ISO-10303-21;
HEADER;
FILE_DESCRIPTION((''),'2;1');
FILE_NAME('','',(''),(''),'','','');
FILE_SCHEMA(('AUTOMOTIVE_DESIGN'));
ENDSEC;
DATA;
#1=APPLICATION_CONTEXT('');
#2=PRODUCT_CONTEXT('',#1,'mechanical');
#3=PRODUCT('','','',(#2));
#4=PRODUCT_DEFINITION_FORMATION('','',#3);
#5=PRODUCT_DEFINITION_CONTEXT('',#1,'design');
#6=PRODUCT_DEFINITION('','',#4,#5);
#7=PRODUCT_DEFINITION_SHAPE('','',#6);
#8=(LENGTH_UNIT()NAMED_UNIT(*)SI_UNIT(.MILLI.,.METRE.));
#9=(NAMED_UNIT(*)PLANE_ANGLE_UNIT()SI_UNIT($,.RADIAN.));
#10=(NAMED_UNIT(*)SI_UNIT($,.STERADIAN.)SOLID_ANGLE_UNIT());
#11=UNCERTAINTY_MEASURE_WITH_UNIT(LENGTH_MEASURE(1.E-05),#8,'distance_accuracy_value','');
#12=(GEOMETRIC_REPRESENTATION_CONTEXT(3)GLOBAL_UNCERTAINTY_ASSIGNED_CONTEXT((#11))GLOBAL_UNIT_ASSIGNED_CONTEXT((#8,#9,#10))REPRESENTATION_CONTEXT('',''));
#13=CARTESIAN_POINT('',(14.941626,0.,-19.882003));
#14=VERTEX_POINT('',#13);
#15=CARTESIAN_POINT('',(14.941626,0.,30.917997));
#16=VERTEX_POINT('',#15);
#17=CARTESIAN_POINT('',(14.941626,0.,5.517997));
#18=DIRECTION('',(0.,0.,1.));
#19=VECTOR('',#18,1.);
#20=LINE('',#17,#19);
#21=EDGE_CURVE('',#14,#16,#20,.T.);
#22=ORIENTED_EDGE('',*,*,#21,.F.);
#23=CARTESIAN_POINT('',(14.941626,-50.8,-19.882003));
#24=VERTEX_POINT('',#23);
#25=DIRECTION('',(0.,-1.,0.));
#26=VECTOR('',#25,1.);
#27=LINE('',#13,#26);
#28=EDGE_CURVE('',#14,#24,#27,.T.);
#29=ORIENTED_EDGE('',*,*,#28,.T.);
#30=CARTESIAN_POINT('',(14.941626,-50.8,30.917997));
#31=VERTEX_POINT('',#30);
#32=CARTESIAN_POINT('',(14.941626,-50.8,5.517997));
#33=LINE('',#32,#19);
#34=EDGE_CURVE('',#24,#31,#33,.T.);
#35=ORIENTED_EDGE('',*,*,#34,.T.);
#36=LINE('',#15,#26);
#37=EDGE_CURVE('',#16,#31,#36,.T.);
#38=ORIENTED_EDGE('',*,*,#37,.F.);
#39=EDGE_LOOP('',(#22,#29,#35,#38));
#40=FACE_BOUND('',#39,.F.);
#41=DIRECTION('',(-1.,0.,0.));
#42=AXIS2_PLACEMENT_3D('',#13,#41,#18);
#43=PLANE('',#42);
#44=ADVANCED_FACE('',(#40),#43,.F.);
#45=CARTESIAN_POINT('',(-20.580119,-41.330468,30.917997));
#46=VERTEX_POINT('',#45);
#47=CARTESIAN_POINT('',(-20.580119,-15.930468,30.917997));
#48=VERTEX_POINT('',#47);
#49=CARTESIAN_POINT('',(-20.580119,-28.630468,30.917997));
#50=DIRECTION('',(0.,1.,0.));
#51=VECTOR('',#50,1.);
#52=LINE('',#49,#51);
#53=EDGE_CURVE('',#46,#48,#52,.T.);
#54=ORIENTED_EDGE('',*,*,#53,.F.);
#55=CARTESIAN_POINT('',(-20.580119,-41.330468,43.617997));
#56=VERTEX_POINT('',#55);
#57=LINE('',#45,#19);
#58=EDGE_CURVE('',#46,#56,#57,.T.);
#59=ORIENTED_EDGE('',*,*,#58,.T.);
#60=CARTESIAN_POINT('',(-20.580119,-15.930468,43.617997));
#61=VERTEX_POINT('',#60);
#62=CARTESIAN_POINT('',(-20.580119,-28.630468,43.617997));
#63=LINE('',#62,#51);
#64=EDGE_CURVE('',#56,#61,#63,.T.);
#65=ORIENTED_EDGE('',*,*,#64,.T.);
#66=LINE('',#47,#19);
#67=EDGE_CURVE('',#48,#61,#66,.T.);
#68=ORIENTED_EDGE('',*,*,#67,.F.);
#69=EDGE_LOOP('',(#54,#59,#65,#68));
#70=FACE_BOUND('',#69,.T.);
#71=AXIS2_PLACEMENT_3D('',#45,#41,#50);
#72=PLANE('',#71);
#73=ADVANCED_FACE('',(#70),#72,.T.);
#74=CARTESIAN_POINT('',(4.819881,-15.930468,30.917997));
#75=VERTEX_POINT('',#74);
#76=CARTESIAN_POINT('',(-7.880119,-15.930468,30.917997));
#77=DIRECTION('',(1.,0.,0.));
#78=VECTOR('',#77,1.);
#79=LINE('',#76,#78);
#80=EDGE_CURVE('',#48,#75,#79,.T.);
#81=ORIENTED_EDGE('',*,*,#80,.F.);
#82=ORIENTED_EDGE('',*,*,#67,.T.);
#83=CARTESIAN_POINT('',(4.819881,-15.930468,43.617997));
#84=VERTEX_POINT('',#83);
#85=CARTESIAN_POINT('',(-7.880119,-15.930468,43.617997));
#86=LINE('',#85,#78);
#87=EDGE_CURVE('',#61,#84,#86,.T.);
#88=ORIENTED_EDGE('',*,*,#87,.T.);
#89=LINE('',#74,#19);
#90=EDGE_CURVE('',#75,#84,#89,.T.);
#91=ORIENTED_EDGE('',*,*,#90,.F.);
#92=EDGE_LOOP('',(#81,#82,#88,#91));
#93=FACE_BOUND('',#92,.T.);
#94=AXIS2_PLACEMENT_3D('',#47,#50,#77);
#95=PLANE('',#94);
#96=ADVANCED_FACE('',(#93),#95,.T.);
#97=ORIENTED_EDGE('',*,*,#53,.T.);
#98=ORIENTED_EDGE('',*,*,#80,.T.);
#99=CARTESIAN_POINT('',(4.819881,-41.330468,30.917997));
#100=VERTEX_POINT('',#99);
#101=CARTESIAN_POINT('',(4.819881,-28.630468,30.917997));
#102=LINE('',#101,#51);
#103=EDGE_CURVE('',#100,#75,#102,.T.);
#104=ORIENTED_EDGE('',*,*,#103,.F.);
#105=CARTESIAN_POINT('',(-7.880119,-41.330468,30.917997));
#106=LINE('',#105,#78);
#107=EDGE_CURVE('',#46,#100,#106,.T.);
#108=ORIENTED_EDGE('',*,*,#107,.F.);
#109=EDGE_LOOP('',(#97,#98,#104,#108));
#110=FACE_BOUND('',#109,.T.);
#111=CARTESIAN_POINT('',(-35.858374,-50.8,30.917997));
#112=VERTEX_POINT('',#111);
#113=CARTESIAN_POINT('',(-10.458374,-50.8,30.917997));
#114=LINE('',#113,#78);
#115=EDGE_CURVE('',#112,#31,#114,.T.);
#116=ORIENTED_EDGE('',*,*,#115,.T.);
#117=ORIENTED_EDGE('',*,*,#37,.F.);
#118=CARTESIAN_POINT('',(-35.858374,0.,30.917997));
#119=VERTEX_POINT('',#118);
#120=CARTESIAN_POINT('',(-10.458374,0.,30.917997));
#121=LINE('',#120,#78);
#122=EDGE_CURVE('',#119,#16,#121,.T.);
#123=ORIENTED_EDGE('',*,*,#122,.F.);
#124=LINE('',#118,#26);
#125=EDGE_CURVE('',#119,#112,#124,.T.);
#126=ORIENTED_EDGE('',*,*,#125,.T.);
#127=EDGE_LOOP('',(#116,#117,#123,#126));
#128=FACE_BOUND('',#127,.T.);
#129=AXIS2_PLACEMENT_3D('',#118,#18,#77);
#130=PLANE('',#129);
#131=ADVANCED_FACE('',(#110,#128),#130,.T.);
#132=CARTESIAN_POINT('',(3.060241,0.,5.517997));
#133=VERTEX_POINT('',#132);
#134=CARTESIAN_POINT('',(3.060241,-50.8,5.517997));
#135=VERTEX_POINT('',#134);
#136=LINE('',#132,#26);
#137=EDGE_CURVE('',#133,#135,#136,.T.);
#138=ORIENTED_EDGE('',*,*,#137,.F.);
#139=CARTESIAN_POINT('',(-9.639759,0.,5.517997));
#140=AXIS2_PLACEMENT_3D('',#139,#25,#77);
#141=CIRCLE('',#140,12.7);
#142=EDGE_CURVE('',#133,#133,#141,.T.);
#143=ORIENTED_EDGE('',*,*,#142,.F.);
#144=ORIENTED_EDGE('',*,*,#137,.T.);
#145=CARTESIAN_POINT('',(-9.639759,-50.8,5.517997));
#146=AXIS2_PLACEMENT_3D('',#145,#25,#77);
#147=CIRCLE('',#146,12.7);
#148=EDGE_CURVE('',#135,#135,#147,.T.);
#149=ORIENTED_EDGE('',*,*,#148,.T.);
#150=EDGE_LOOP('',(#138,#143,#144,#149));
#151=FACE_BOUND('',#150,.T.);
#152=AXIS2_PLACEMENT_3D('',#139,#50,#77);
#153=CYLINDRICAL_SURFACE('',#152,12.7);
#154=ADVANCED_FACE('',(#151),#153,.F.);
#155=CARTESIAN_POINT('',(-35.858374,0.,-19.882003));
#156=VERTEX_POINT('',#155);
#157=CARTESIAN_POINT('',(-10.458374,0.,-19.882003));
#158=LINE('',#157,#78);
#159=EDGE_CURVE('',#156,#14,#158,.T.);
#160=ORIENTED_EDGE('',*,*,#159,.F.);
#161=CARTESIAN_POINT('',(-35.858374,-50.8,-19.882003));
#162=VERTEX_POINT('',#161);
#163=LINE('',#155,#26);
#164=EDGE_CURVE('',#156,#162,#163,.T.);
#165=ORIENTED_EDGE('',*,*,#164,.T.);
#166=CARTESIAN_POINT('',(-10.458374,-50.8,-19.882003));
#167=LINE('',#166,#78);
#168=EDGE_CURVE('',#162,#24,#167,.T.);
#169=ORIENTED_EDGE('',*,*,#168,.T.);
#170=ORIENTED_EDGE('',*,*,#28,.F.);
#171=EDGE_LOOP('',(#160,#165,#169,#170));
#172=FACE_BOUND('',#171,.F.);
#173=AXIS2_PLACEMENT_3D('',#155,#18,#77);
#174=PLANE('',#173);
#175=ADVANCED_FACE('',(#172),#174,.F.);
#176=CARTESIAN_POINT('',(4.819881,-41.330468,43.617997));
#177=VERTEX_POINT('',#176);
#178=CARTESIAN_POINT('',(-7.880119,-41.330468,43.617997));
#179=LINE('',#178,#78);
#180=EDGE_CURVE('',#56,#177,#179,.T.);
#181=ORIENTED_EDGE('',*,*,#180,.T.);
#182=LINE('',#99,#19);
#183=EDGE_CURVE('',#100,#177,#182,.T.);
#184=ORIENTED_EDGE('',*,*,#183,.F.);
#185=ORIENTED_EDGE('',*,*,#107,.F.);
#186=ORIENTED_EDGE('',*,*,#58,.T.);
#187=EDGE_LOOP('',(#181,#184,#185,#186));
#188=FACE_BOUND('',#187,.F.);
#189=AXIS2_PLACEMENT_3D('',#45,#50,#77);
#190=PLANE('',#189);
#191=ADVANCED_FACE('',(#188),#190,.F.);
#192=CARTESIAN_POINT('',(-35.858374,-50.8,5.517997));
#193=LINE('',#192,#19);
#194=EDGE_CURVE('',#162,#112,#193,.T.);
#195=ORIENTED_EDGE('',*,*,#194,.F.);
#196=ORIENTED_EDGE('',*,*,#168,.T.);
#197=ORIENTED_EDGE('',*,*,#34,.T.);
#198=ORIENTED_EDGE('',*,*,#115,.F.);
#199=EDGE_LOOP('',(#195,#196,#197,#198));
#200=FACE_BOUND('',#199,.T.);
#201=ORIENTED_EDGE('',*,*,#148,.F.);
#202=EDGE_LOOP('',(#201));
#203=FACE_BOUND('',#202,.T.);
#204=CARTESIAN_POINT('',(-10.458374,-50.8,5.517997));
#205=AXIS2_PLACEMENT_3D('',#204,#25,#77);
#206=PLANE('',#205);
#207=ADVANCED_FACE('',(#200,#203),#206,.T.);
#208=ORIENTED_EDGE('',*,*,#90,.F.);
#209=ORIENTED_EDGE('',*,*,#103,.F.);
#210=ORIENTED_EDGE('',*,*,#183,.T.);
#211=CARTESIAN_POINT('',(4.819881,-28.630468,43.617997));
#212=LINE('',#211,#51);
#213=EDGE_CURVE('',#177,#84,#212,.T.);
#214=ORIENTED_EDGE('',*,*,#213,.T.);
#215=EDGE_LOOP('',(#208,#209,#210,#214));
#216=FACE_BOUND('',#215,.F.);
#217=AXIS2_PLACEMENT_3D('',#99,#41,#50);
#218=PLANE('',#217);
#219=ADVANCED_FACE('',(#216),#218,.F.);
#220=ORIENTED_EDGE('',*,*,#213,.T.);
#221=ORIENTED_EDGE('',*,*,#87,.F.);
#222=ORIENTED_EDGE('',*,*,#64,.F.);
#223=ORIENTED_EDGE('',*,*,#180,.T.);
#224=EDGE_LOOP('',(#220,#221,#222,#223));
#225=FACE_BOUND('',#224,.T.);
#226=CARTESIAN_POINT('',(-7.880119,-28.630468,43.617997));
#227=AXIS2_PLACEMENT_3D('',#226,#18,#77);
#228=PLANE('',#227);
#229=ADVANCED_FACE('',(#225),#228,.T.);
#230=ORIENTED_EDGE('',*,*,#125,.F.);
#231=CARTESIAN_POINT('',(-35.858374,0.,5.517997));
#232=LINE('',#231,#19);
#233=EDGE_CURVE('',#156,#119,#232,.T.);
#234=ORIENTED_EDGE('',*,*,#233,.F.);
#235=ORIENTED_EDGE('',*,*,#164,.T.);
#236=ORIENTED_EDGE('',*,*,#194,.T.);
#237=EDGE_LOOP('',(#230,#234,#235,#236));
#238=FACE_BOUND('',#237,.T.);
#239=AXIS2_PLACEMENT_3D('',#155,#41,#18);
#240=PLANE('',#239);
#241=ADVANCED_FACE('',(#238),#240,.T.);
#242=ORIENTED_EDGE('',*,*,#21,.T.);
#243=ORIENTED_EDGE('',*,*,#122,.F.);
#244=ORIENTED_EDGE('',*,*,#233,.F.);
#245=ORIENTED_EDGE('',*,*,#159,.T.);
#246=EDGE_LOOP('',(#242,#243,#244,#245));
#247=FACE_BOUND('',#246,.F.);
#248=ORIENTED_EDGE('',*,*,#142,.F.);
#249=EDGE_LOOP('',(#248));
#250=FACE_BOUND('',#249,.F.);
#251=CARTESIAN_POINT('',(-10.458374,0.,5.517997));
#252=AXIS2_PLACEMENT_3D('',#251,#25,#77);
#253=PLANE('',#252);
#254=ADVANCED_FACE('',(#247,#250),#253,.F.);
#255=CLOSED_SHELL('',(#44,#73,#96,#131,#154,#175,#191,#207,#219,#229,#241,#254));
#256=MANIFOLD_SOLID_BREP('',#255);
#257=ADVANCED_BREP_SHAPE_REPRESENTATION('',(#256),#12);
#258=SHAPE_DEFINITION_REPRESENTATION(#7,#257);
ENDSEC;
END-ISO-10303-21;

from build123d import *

# Parameters (mm, degrees)
F0_W     = 50.8
F0_H     = 50.8
F0_R     = 12.7
F1_DEPTH = 50.8
F2_W     = 25.4
F2_H     = 25.4
F3_DEPTH = 12.7


with BuildPart() as f1:
    # F0 (on Front) → F1 (new body)
    with BuildSketch(Plane.XZ):
        with Locations((-10.458374, 5.517997)):
            Rectangle(F0_W, F0_H)
        with Locations((-9.639759, 5.517997)):
            Circle(F0_R, mode=Mode.SUBTRACT)
    extrude(amount=F1_DEPTH)

    # F2 (on face) → F3 (join)
    with BuildSketch(Plane.XY.offset(30.917997)):
        with Locations((-7.880119, -28.630468)):
            Rectangle(F2_W, F2_H)
    extrude(amount=F3_DEPTH)


solid = f1.part
